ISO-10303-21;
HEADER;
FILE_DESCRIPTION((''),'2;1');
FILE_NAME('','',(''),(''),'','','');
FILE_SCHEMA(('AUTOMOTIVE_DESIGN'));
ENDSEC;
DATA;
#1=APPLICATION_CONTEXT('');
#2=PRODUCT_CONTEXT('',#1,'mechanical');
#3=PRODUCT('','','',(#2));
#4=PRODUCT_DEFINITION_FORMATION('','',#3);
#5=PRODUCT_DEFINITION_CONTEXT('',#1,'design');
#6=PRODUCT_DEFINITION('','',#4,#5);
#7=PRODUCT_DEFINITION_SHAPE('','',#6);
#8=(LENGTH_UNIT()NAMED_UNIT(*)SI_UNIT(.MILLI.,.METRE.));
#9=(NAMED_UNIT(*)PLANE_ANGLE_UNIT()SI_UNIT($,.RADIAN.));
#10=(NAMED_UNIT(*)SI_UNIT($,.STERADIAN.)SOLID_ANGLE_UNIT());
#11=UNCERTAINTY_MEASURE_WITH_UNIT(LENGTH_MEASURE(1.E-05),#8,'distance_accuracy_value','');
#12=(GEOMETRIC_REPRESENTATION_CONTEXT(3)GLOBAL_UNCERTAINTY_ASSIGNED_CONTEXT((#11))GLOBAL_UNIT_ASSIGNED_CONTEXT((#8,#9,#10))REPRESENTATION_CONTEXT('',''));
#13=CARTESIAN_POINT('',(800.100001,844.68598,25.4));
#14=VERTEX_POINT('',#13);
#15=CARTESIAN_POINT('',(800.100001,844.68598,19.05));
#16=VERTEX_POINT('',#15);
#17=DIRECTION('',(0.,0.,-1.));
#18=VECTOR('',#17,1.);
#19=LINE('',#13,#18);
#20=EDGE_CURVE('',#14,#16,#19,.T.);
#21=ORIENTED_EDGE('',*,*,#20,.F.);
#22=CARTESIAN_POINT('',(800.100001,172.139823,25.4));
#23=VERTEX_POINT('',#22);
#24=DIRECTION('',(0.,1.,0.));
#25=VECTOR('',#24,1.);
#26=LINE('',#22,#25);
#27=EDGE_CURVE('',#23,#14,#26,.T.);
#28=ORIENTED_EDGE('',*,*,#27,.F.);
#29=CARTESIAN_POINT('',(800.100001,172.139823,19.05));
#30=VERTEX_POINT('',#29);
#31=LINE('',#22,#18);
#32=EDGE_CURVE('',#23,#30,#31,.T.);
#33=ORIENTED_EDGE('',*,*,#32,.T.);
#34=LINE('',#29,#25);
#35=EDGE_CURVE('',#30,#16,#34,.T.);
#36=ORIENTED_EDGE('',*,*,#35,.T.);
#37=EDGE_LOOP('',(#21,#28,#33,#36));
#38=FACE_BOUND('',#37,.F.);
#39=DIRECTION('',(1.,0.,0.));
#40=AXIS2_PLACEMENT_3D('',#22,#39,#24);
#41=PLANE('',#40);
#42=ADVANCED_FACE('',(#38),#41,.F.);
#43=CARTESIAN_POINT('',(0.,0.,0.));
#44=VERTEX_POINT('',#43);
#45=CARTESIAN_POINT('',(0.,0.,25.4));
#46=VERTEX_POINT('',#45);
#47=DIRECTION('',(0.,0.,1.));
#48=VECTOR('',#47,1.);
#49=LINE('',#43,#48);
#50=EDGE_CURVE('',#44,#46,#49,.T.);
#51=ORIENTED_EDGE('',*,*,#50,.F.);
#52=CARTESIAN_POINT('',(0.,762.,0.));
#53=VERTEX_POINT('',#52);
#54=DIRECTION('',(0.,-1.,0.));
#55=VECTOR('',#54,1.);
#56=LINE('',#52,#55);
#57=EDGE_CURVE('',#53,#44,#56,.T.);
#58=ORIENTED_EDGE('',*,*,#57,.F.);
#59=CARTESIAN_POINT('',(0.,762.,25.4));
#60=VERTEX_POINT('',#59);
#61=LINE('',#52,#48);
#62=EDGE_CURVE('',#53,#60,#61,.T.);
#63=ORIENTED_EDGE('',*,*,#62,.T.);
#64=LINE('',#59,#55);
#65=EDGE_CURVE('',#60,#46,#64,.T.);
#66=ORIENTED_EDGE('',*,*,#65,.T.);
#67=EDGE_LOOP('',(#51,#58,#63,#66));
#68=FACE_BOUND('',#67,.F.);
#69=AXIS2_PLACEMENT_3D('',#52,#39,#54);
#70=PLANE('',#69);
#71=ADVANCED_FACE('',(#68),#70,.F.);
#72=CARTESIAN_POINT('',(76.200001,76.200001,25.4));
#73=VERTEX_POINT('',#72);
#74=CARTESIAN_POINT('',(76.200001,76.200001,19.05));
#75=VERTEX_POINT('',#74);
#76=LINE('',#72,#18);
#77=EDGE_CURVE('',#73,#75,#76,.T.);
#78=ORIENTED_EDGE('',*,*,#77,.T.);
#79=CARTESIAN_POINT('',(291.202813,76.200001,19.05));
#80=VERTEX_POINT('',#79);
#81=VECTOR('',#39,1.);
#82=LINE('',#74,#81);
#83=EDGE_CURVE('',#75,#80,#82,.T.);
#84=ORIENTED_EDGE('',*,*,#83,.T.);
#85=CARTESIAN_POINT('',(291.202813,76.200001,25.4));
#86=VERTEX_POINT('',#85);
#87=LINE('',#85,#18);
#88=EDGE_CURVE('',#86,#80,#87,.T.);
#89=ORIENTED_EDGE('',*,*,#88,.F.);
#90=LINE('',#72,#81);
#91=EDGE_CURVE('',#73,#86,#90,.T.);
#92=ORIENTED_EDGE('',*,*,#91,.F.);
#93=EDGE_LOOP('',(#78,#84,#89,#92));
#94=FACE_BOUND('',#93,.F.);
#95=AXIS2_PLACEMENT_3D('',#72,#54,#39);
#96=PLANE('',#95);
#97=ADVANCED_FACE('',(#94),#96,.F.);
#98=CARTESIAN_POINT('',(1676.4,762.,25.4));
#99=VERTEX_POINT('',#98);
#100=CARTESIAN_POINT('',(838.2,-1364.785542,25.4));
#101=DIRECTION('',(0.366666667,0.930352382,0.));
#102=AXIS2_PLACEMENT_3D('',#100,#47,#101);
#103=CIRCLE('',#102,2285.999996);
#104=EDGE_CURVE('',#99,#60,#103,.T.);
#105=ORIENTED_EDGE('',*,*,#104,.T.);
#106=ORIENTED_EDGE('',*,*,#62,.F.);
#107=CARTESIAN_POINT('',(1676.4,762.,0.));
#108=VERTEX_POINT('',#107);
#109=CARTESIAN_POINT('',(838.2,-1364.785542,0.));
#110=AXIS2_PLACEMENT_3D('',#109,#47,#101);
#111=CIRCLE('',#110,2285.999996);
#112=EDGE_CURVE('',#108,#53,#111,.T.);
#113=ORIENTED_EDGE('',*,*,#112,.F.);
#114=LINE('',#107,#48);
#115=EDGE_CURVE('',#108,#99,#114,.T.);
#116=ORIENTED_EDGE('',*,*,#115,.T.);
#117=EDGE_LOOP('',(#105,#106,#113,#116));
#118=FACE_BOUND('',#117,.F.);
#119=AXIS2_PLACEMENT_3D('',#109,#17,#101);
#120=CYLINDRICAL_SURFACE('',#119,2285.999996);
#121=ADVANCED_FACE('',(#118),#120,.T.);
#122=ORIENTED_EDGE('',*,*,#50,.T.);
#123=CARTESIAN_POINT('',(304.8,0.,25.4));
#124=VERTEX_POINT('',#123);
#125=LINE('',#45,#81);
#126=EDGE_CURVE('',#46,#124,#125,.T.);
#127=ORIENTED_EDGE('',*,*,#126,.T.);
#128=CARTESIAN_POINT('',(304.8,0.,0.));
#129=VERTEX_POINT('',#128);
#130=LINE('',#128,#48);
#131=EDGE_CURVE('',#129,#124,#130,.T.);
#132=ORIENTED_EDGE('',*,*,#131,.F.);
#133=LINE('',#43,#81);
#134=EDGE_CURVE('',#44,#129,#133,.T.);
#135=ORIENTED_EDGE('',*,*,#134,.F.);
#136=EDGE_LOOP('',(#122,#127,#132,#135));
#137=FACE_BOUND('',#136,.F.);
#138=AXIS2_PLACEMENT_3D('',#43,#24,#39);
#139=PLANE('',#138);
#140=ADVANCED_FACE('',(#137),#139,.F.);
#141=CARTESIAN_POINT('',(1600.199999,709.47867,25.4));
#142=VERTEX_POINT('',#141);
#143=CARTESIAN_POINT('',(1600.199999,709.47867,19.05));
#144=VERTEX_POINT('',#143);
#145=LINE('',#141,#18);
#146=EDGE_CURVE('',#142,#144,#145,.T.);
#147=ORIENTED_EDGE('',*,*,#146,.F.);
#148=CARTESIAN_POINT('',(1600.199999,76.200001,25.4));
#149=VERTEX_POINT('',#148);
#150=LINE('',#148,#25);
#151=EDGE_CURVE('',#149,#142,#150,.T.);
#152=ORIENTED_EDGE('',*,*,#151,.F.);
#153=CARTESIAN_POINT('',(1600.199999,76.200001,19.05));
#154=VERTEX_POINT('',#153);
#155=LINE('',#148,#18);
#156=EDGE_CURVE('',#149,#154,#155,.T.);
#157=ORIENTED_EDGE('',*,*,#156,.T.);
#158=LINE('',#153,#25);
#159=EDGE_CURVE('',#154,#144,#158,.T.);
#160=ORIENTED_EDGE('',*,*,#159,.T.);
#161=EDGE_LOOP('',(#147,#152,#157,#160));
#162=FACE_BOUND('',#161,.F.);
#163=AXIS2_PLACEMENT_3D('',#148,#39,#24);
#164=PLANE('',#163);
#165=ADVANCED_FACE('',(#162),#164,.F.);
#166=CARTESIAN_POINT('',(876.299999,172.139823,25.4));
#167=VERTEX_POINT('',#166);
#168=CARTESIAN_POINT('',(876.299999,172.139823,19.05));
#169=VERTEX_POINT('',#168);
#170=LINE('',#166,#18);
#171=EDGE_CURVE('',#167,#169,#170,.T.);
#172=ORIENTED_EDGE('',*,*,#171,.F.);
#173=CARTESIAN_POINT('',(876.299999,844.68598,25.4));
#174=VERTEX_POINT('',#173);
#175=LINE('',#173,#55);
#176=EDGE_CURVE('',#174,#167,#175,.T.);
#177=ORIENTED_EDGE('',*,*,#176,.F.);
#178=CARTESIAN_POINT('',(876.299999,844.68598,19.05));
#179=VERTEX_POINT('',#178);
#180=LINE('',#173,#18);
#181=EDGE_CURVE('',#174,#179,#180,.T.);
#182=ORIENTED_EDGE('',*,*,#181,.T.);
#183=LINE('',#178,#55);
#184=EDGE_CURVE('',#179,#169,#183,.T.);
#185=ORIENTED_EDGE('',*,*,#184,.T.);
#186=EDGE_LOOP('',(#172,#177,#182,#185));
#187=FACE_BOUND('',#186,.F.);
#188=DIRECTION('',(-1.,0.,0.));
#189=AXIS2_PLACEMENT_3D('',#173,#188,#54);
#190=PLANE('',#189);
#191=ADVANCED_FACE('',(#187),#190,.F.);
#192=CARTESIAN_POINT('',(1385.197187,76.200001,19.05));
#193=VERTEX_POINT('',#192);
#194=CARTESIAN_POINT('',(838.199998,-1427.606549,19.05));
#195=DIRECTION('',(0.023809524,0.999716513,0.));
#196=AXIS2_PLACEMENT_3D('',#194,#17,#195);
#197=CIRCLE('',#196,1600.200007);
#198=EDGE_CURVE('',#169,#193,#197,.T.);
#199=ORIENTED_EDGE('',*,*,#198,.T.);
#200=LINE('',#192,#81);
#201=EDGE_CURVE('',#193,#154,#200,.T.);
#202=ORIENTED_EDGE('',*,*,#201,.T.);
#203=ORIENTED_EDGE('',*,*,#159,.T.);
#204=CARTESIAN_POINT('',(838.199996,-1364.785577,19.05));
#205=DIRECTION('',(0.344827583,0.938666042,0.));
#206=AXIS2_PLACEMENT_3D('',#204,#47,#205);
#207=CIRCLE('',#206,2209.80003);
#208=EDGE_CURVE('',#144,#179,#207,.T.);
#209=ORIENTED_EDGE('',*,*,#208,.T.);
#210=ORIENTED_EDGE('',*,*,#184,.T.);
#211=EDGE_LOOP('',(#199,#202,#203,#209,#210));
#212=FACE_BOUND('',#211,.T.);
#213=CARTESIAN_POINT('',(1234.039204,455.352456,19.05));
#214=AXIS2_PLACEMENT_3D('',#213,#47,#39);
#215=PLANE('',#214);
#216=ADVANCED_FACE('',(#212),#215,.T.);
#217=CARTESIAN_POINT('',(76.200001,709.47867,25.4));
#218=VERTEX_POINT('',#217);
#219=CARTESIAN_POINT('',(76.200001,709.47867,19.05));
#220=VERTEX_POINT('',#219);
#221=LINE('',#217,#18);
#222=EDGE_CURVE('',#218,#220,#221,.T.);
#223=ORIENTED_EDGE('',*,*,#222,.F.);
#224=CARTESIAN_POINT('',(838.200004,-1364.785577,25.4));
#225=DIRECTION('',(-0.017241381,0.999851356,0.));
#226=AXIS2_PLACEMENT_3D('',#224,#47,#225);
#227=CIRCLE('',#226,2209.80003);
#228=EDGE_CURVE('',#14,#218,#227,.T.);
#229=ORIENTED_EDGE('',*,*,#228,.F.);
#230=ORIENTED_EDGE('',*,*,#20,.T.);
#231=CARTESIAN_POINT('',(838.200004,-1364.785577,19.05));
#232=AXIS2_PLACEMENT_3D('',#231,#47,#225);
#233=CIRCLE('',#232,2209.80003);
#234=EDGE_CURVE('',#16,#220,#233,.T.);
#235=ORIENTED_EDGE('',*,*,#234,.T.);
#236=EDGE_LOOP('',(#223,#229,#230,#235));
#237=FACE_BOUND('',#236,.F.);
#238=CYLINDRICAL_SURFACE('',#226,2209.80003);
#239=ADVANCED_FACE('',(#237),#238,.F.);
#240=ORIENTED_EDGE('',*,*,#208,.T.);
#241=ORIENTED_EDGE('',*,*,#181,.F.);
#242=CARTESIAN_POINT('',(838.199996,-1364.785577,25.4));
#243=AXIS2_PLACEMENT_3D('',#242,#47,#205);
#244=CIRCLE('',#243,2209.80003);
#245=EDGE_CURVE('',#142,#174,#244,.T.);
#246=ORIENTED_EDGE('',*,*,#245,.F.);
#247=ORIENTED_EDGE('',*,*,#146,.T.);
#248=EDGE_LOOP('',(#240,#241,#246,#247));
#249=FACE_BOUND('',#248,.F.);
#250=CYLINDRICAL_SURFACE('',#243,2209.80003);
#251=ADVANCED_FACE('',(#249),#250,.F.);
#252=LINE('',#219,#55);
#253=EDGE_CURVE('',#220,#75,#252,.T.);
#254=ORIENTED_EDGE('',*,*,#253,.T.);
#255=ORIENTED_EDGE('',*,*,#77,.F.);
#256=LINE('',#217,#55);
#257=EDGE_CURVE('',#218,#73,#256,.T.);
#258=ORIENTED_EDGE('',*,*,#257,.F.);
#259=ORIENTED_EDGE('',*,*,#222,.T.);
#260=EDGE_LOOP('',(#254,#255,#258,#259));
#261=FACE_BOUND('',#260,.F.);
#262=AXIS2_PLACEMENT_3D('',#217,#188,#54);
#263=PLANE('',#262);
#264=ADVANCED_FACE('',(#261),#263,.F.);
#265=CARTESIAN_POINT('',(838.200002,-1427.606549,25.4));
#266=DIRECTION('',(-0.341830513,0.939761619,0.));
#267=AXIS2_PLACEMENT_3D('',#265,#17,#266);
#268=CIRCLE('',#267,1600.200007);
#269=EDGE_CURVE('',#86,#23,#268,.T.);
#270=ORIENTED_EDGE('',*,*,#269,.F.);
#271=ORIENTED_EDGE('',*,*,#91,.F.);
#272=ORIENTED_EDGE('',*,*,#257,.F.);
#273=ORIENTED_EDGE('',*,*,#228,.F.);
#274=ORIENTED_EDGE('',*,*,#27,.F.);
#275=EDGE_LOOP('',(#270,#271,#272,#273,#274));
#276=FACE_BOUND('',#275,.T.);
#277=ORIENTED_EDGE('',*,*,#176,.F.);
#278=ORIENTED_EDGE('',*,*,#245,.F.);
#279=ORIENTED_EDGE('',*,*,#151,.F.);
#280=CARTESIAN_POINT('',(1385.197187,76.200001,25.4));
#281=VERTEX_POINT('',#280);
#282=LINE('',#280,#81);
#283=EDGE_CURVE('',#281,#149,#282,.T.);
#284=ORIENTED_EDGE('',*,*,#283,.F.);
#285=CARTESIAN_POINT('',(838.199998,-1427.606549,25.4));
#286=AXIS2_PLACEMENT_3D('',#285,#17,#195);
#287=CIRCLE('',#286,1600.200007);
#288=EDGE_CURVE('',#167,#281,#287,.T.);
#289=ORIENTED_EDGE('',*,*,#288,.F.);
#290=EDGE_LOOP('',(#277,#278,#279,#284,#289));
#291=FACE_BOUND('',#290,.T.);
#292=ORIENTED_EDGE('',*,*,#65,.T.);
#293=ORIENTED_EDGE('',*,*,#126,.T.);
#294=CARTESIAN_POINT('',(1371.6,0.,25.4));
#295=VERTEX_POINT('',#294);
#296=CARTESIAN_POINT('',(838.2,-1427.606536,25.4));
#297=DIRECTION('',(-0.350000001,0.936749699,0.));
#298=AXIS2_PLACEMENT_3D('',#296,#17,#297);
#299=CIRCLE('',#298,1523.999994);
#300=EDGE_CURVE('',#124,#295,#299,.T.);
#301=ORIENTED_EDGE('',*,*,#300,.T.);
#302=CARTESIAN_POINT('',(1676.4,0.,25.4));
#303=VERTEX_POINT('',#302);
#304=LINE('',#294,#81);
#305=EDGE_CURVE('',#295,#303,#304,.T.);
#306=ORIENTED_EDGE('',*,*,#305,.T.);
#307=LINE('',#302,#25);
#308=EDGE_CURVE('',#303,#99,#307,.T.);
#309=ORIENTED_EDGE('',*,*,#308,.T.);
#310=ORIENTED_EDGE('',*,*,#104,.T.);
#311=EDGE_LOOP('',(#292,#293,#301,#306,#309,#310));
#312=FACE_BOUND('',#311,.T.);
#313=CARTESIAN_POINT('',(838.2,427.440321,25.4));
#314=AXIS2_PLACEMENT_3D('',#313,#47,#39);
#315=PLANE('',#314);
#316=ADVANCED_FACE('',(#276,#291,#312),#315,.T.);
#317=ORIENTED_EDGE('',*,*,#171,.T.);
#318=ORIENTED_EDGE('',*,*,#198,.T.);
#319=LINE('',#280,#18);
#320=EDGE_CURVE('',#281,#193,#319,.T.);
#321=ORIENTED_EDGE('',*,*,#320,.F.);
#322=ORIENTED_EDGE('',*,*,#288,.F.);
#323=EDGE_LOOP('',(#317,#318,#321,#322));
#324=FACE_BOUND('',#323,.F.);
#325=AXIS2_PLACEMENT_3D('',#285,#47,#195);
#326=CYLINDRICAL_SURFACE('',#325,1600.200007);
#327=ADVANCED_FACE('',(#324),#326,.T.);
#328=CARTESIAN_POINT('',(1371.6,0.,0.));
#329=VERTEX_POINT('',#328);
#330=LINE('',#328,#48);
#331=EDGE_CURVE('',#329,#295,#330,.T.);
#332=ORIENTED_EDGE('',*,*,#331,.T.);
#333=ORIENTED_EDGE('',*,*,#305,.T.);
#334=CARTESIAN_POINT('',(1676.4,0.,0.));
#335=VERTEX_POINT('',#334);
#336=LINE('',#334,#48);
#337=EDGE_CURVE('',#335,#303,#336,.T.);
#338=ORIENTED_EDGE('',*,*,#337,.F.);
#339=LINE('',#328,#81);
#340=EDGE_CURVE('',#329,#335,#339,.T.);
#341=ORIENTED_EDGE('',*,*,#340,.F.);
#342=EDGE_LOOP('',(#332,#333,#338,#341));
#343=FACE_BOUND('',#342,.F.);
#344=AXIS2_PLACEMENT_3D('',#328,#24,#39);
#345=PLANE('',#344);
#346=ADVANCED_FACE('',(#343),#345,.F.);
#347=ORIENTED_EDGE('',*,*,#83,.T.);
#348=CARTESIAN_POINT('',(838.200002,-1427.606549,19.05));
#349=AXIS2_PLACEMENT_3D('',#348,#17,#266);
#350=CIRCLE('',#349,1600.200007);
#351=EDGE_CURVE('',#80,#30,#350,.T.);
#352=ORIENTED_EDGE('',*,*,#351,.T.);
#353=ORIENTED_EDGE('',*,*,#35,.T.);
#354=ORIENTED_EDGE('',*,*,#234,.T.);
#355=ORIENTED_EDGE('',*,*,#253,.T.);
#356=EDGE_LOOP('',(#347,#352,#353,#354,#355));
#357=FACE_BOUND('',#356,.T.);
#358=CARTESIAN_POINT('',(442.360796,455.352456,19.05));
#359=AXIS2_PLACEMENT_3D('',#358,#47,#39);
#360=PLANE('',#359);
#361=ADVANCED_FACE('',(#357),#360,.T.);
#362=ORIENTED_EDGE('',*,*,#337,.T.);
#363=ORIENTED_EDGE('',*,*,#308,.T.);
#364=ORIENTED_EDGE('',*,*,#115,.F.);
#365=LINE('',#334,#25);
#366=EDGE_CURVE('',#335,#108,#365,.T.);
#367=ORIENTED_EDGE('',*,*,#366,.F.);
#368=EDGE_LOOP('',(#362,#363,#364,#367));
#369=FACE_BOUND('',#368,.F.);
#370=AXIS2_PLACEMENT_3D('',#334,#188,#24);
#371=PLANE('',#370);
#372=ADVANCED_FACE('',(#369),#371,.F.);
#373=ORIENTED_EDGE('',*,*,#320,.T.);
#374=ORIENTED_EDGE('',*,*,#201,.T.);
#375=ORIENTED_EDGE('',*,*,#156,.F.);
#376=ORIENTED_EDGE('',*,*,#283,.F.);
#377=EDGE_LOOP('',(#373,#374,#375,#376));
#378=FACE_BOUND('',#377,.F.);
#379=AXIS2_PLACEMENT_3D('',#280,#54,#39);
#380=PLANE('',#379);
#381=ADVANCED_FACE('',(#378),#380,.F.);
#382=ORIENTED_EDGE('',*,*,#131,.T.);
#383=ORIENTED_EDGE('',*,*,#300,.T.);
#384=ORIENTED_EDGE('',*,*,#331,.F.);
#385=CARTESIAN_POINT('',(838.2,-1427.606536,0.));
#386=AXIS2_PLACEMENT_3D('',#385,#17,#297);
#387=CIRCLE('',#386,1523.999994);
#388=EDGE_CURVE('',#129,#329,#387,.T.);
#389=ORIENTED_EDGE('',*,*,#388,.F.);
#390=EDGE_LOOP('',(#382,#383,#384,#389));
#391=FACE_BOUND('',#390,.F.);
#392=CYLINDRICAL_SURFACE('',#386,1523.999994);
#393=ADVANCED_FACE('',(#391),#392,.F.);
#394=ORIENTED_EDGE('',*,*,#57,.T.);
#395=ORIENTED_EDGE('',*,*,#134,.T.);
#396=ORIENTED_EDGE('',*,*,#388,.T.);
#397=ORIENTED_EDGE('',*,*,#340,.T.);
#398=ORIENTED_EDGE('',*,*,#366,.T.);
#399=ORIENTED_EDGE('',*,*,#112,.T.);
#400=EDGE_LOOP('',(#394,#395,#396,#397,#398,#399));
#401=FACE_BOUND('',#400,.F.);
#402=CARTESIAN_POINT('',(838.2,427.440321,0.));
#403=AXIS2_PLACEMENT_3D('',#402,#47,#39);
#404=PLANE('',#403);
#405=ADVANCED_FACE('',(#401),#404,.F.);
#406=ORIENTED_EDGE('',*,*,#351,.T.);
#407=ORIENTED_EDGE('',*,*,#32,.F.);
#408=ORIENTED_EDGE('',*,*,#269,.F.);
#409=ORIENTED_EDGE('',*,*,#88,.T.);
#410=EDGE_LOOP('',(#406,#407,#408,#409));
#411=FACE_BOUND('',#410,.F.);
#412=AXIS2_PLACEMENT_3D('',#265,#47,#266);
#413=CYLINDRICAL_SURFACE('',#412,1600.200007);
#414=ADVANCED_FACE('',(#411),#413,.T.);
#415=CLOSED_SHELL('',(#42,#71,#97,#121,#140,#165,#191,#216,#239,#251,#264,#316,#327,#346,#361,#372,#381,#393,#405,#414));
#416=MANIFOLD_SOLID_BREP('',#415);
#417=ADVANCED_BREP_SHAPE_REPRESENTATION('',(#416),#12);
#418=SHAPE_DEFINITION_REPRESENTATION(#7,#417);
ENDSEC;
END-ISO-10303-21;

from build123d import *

# Parameters (mm, degrees)
F1_DEPTH = 25.4
F3_DEPTH = 6.35


with BuildPart() as f1:
    # F0 (on Top) → F1 (new body)
    with BuildSketch(Plane.XY):
        with BuildLine():
            Line((0, 762), (0, 0))
            Line((0, 0), (304.8, 0))
            ThreePointArc((304.8, 0), (838.2, 96.393458), (1371.6, 0))
            Line((1371.6, 0), (1676.4, 0))
            Line((1676.4, 0), (1676.4, 762))
            ThreePointArc((1676.4, 762), (838.2, 921.214454), (0, 762))
        make_face()
    extrude(amount=F1_DEPTH)

    # F2 (on face) → F3 (cut)
    with BuildSketch(Plane.XY.offset(25.4)):
        with BuildLine():
            Line((1385.197187, 76.200001), (1600.199999, 76.200001))
            Line((1600.199999, 76.200001), (1600.199999, 709.47867))
            ThreePointArc((1600.199999, 709.47867), (1243.921895, 807.449657), (876.299999, 844.68598))
            Line((876.299999, 844.68598), (876.299999, 172.139823))
            ThreePointArc((876.299999, 172.139823), (1134.655379, 144.892822), (1385.197187, 76.200001))
        make_face()
        with BuildLine():
            Line((76.200001, 709.47867), (76.200001, 76.200001))
            Line((76.200001, 76.200001), (291.202813, 76.200001))
            ThreePointArc((291.202813, 76.200001), (541.744621, 144.892822), (800.100001, 172.139823))
            Line((800.100001, 172.139823), (800.100001, 844.68598))
            ThreePointArc((800.100001, 844.68598), (432.478105, 807.449657), (76.200001, 709.47867))
        make_face()
    extrude(amount=-F3_DEPTH, mode=Mode.SUBTRACT)


solid = f1.part
